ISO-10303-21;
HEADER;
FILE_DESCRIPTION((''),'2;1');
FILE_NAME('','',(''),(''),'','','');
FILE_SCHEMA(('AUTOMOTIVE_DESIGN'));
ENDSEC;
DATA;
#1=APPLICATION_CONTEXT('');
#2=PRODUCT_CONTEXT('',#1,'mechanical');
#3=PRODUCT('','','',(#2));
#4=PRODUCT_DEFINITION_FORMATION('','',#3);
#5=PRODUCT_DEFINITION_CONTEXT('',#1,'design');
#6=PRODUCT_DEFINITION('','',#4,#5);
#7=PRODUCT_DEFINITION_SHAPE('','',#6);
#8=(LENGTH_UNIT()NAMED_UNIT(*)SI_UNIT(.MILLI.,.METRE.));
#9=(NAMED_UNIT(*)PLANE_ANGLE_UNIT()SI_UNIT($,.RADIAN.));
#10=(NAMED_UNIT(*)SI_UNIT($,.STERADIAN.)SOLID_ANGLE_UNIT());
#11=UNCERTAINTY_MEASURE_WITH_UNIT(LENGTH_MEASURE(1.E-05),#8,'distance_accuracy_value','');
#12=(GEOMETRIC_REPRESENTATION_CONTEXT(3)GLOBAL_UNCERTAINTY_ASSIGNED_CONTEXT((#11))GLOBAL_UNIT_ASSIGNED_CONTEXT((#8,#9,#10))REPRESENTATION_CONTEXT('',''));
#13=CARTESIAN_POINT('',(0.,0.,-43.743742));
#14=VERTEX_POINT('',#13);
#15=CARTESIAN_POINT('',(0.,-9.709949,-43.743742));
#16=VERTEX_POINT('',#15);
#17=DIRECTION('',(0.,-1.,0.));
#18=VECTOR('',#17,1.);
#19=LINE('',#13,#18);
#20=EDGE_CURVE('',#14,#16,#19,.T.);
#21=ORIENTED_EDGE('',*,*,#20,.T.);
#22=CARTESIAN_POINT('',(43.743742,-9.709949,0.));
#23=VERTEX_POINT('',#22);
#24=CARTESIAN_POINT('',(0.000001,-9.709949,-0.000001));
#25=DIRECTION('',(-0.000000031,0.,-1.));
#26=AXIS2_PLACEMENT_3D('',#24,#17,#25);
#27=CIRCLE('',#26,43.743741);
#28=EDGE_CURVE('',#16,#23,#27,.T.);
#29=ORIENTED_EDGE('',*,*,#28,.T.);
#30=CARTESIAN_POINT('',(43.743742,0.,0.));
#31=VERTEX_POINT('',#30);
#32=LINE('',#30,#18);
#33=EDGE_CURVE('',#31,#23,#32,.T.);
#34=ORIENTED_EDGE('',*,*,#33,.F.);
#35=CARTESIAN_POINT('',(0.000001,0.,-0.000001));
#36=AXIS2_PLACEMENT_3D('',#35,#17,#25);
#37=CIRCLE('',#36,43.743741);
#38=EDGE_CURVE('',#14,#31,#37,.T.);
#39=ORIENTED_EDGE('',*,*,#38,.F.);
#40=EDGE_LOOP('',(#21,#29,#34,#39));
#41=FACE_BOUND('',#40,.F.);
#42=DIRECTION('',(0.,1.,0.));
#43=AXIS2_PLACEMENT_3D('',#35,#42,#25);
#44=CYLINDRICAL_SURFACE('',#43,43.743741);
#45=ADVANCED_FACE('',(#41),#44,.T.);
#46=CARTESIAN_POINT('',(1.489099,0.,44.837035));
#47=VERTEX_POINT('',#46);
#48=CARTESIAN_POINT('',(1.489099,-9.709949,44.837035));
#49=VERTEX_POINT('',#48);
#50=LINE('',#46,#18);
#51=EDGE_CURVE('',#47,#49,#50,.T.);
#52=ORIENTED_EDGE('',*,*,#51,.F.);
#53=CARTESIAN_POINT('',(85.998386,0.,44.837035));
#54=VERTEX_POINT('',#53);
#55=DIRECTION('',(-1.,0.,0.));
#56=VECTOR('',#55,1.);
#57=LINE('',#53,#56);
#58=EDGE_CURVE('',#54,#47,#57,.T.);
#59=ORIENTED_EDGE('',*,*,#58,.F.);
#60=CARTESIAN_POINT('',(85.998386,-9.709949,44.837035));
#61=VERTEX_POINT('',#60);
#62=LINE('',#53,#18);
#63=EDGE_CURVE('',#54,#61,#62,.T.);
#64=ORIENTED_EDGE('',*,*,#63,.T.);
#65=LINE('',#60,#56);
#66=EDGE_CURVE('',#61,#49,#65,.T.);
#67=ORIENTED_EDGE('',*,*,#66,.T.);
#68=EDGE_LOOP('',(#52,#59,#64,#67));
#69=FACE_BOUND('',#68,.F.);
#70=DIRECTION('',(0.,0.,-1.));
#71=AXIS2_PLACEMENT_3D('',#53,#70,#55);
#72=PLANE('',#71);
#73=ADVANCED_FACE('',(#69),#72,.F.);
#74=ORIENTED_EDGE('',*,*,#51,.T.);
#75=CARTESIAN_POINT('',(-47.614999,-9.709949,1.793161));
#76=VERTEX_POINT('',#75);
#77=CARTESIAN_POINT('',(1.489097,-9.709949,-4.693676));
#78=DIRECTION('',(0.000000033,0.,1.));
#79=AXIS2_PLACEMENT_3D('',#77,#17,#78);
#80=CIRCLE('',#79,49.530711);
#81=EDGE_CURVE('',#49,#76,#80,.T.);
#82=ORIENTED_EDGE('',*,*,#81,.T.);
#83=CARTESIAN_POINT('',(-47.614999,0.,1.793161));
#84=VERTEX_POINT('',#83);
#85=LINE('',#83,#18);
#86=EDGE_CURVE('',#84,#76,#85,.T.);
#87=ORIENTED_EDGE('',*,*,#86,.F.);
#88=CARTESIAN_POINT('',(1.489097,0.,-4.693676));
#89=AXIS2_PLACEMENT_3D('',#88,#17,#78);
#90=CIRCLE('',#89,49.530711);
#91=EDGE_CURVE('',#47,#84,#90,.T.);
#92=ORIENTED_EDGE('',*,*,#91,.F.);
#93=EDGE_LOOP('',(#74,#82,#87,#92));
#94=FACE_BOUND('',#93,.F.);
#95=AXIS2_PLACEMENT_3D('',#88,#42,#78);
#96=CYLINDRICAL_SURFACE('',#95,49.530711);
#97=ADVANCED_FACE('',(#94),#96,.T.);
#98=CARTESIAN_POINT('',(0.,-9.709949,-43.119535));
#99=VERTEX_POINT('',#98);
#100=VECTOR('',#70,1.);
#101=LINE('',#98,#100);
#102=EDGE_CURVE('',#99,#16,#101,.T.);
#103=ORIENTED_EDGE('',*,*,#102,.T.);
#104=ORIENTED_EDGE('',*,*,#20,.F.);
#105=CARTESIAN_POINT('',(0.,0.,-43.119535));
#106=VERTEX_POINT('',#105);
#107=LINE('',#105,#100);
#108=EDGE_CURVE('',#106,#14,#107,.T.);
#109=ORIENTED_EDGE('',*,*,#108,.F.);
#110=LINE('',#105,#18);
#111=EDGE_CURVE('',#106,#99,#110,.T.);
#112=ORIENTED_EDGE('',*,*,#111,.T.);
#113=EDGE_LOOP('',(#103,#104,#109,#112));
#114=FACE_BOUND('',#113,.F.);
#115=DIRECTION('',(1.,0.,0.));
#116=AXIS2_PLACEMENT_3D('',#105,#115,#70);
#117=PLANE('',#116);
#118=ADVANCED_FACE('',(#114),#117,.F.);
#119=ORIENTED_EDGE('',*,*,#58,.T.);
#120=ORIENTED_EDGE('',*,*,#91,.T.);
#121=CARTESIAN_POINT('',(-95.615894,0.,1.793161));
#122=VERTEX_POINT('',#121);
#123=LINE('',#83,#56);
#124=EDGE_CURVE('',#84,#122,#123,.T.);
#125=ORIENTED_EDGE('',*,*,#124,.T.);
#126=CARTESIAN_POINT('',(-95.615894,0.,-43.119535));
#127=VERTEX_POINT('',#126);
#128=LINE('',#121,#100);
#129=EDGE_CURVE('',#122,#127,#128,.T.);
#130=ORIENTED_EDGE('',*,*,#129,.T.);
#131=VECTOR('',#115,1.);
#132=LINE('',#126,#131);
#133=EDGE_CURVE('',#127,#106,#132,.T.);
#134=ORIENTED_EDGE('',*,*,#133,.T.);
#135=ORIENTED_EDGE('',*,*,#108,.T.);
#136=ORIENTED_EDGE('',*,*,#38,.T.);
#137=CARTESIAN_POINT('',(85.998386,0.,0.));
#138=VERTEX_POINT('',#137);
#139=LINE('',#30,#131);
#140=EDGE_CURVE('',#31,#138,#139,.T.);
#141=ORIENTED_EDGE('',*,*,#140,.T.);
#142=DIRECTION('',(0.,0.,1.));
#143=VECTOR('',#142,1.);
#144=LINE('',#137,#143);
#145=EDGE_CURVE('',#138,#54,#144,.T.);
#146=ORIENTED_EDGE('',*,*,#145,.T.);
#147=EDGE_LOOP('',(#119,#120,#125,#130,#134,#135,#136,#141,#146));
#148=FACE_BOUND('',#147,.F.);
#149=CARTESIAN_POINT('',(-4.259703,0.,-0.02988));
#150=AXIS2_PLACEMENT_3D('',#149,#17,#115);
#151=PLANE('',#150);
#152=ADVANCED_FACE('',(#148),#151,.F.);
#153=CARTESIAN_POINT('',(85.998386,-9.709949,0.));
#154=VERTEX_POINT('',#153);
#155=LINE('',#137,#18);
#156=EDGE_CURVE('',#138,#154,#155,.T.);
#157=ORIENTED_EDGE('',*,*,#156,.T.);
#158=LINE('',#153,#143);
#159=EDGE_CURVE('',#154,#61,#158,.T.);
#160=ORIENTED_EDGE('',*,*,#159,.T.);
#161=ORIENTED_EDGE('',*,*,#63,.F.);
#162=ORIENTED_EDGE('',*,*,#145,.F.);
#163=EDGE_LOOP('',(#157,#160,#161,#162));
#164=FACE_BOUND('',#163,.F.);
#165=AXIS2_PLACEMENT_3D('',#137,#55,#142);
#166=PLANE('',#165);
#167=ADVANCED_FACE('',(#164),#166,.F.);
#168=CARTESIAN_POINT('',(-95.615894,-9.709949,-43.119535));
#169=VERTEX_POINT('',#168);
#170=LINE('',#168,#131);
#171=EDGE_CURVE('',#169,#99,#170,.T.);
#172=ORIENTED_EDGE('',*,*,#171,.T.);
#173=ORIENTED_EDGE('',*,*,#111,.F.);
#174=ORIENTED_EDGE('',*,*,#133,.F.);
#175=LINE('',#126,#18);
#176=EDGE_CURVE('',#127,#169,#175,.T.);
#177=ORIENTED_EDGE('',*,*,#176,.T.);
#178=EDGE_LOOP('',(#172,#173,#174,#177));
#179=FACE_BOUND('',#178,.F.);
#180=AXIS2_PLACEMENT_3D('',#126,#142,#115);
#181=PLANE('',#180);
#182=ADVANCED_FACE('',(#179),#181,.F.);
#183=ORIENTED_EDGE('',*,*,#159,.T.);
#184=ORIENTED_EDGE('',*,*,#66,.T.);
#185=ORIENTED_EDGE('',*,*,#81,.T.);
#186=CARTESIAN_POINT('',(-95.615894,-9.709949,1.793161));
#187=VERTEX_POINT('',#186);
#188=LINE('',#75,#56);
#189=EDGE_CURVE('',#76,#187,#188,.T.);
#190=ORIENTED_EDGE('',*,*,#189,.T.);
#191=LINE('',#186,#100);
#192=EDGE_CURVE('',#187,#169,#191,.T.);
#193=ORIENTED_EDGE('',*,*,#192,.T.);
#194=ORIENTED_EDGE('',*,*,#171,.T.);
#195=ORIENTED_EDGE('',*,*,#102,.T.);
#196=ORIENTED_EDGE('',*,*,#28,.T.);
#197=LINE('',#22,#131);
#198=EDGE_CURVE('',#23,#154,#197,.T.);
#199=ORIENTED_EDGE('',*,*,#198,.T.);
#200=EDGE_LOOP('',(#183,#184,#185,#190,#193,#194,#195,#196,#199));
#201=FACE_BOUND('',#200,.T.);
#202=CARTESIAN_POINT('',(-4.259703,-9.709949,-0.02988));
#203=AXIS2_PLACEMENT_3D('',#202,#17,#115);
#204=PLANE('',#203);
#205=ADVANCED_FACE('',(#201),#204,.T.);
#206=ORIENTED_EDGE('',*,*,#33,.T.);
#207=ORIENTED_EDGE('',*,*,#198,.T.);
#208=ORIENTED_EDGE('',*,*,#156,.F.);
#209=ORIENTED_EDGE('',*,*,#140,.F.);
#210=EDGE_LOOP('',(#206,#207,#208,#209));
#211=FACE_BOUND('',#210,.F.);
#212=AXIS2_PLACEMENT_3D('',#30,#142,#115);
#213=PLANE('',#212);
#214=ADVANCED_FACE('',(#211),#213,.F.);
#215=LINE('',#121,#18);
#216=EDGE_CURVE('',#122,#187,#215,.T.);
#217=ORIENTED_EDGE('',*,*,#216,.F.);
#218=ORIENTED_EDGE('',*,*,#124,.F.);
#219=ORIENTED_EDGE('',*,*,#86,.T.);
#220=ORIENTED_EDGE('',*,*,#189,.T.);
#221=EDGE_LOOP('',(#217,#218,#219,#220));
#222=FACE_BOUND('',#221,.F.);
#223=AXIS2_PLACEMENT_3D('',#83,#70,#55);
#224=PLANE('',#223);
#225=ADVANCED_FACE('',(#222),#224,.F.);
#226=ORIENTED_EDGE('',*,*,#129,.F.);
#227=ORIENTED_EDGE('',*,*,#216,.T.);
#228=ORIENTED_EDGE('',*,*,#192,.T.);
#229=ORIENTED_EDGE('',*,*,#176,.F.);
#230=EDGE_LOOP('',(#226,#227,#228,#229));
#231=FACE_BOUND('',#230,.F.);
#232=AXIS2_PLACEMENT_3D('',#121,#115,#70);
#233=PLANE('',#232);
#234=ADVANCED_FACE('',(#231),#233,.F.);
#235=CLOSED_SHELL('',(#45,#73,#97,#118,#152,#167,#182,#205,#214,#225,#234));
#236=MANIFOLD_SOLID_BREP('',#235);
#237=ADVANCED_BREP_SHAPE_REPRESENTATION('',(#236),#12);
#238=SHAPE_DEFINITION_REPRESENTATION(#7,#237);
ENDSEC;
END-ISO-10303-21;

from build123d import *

# Parameters (mm, degrees)
F1_DEPTH = 9.709949


with BuildPart() as f1:
    # F0 (on Front) → F1 (new body)
    with BuildSketch(Plane.XZ):
        with BuildLine():
            Line((-95.615894, 1.793161), (-95.615894, -43.119535))
            Line((-95.615894, -43.119535), (0, -43.119535))
            Line((0, -43.119535), (0, -43.743742))
            ThreePointArc((0, -43.743742), (30.931497, -30.931497), (43.743742, 0))
            Line((43.743742, 0), (85.998386, 0))
            Line((85.998386, 0), (85.998386, 44.837035))
            Line((85.998386, 44.837035), (1.489099, 44.837035))
            ThreePointArc((1.489099, 44.837035), (-31.160509, 32.552727), (-47.614999, 1.793161))
            Line((-47.614999, 1.793161), (-95.615894, 1.793161))
        make_face()
    extrude(amount=F1_DEPTH)


solid = f1.part
